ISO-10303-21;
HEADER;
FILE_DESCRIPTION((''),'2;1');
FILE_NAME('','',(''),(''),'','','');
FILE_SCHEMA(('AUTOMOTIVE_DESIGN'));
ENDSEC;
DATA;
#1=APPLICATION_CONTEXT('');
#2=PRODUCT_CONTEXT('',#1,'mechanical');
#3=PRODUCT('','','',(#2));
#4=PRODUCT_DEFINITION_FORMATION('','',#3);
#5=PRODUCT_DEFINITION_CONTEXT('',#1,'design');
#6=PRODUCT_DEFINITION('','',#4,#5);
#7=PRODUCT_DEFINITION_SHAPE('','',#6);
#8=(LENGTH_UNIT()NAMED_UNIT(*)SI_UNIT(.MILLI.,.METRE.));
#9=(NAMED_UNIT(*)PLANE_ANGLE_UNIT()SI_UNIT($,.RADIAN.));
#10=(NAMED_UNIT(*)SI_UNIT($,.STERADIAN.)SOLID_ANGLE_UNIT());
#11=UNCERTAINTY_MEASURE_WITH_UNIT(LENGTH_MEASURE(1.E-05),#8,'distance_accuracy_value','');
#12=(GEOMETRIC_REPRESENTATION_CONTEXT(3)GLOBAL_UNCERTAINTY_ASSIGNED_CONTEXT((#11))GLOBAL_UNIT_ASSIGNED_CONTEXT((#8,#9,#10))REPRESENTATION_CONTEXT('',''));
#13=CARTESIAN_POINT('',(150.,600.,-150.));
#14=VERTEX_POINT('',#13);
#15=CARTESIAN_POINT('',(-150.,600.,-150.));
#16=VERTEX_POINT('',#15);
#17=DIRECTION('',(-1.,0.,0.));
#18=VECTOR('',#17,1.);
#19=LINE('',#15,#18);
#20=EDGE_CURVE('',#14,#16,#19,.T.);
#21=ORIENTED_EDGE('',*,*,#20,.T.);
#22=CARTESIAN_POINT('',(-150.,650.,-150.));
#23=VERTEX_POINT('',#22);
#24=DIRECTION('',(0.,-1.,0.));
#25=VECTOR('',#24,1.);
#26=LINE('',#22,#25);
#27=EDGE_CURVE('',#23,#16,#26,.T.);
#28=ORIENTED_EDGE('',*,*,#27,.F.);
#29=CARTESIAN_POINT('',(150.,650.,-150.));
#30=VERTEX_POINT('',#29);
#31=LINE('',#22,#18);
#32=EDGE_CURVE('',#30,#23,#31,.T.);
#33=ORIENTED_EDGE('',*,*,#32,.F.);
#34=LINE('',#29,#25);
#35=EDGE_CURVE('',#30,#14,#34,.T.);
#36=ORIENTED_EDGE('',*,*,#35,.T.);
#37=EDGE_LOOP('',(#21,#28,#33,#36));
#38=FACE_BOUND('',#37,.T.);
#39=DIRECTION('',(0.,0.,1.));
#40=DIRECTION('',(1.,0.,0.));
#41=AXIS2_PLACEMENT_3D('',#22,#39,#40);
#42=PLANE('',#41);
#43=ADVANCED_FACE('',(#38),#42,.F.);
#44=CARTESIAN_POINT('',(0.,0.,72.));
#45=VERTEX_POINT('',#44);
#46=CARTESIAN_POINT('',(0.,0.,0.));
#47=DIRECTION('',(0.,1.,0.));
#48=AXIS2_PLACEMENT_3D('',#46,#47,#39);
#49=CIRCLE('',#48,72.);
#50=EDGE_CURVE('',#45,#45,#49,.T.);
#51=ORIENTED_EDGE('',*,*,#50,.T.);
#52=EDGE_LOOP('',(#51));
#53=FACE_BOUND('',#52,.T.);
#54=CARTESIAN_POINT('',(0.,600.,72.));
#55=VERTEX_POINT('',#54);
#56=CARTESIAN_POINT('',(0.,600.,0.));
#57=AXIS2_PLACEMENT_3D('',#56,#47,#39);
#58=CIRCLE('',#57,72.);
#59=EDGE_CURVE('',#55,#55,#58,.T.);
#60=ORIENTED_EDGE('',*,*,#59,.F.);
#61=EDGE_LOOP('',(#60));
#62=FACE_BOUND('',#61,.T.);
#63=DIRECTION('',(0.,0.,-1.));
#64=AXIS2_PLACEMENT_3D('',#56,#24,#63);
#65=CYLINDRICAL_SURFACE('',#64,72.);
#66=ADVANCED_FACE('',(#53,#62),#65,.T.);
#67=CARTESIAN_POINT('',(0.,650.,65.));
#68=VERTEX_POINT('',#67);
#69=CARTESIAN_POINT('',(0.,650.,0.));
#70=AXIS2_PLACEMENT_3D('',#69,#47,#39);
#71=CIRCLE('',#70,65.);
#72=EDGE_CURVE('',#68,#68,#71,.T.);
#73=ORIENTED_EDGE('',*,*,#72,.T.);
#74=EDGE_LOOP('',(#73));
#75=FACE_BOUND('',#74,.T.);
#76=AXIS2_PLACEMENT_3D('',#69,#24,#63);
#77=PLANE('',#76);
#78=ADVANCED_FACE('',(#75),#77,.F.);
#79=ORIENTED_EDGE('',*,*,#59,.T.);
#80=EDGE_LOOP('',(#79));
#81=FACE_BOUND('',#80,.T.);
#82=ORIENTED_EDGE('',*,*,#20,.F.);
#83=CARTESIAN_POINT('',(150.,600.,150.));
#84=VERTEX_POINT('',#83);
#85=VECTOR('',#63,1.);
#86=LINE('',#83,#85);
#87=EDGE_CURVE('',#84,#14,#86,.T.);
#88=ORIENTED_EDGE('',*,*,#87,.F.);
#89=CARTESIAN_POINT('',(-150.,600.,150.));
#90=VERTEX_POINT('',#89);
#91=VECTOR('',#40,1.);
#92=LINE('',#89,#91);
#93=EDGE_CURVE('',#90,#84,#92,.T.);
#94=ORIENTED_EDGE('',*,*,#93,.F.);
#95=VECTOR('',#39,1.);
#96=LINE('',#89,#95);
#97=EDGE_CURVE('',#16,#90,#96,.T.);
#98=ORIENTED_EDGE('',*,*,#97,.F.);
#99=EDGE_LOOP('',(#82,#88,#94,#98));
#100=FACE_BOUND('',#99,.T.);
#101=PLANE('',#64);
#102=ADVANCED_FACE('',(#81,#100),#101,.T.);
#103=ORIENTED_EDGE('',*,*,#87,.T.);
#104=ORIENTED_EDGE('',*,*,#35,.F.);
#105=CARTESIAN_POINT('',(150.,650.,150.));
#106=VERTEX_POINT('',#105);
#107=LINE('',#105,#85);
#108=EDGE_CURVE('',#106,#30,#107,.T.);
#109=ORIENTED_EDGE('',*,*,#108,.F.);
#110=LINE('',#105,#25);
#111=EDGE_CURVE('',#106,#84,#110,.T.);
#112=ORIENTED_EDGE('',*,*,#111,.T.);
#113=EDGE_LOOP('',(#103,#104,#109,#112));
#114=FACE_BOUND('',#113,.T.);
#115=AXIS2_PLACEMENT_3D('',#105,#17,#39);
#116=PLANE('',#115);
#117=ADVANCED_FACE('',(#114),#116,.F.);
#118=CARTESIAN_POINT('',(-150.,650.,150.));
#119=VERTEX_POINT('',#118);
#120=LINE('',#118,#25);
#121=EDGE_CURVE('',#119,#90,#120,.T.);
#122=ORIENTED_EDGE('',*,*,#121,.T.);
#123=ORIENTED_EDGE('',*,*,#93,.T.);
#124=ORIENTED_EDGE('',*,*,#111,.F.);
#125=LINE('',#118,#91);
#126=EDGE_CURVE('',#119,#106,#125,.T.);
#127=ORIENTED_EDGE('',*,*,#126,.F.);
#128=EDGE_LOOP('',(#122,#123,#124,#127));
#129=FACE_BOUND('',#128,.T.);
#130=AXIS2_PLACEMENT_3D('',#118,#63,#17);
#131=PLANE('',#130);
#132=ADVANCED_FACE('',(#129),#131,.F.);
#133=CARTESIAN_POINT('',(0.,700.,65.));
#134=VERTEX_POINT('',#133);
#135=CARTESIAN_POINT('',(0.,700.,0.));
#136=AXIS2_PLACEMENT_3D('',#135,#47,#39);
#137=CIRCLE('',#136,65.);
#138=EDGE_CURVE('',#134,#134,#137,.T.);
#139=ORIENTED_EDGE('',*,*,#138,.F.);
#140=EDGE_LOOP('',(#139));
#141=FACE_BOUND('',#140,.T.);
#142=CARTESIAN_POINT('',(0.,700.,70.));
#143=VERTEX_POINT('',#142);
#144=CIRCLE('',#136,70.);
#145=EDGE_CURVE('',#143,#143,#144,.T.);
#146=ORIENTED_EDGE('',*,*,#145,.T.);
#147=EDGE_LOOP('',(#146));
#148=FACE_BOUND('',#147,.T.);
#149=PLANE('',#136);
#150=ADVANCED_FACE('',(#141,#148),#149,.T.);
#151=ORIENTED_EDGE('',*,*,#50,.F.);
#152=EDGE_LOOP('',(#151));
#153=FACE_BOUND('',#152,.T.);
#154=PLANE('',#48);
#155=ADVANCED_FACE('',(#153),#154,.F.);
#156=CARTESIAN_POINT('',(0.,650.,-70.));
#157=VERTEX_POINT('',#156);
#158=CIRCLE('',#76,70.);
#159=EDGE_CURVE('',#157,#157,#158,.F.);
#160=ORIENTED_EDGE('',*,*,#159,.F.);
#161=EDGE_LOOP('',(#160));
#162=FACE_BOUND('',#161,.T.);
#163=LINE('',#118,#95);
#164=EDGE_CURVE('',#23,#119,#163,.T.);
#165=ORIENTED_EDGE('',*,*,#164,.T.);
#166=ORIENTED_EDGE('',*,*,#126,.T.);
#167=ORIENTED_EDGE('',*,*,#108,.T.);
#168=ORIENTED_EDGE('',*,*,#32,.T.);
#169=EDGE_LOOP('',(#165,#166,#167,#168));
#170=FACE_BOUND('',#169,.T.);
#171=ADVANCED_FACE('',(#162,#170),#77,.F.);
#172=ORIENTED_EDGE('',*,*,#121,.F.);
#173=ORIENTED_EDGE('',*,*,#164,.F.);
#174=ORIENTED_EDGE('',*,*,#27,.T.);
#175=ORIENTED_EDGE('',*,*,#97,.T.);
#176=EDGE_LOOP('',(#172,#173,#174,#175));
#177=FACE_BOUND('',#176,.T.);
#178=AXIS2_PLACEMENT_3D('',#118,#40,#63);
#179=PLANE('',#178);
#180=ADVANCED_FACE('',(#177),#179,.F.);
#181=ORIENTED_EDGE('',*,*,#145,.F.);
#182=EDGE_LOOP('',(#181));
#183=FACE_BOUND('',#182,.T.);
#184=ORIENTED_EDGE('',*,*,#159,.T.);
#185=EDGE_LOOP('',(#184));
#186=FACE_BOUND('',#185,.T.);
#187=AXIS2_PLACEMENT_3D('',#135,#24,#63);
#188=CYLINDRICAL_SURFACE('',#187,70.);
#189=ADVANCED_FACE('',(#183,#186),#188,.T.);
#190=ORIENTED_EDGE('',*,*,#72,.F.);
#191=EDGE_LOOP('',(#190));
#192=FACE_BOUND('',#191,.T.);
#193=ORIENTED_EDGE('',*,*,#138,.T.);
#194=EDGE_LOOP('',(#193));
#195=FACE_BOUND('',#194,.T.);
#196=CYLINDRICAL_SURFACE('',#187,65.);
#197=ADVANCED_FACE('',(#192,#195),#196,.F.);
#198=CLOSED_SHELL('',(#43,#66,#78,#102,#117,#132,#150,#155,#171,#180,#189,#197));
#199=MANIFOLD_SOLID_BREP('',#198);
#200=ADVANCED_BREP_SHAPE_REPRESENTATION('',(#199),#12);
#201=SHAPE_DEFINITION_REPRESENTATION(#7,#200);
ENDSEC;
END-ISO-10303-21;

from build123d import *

# Parameters (mm, degrees)
SKETCH1_R           = 72
BOSS_EXTRUDE1_DEPTH = 600
SKETCH2_W           = 300
SKETCH2_H           = 300
BOSS_EXTRUDE2_DEPTH = 50
SKETCH3_R           = 70
SKETCH3_R_2         = 65
BOSS_EXTRUDE3_DEPTH = 50


with BuildPart() as part:
    # Sketch1 → Boss-Extrude1 (new body)
    with BuildSketch(Plane(origin=(0, 0, 0), x_dir=(1, 0, 0), z_dir=(0, 1, 0))):
        Circle(SKETCH1_R)
    extrude(amount=BOSS_EXTRUDE1_DEPTH)

    # Sketch2 → Boss-Extrude2 (add)
    with BuildSketch(Plane(origin=(0, 600, 0), x_dir=(1, 0, 0), z_dir=(0, 1, 0))):
        Rectangle(SKETCH2_W, SKETCH2_H)
    extrude(amount=BOSS_EXTRUDE2_DEPTH)

    # Sketch3 → Boss-Extrude3 (add)
    with BuildSketch(Plane(origin=(0, 650, 0), x_dir=(1, 0, 0), z_dir=(0, 1, 0))):
        Circle(SKETCH3_R)
        Circle(SKETCH3_R_2, mode=Mode.SUBTRACT)
    extrude(amount=BOSS_EXTRUDE3_DEPTH)


solid = part.part
